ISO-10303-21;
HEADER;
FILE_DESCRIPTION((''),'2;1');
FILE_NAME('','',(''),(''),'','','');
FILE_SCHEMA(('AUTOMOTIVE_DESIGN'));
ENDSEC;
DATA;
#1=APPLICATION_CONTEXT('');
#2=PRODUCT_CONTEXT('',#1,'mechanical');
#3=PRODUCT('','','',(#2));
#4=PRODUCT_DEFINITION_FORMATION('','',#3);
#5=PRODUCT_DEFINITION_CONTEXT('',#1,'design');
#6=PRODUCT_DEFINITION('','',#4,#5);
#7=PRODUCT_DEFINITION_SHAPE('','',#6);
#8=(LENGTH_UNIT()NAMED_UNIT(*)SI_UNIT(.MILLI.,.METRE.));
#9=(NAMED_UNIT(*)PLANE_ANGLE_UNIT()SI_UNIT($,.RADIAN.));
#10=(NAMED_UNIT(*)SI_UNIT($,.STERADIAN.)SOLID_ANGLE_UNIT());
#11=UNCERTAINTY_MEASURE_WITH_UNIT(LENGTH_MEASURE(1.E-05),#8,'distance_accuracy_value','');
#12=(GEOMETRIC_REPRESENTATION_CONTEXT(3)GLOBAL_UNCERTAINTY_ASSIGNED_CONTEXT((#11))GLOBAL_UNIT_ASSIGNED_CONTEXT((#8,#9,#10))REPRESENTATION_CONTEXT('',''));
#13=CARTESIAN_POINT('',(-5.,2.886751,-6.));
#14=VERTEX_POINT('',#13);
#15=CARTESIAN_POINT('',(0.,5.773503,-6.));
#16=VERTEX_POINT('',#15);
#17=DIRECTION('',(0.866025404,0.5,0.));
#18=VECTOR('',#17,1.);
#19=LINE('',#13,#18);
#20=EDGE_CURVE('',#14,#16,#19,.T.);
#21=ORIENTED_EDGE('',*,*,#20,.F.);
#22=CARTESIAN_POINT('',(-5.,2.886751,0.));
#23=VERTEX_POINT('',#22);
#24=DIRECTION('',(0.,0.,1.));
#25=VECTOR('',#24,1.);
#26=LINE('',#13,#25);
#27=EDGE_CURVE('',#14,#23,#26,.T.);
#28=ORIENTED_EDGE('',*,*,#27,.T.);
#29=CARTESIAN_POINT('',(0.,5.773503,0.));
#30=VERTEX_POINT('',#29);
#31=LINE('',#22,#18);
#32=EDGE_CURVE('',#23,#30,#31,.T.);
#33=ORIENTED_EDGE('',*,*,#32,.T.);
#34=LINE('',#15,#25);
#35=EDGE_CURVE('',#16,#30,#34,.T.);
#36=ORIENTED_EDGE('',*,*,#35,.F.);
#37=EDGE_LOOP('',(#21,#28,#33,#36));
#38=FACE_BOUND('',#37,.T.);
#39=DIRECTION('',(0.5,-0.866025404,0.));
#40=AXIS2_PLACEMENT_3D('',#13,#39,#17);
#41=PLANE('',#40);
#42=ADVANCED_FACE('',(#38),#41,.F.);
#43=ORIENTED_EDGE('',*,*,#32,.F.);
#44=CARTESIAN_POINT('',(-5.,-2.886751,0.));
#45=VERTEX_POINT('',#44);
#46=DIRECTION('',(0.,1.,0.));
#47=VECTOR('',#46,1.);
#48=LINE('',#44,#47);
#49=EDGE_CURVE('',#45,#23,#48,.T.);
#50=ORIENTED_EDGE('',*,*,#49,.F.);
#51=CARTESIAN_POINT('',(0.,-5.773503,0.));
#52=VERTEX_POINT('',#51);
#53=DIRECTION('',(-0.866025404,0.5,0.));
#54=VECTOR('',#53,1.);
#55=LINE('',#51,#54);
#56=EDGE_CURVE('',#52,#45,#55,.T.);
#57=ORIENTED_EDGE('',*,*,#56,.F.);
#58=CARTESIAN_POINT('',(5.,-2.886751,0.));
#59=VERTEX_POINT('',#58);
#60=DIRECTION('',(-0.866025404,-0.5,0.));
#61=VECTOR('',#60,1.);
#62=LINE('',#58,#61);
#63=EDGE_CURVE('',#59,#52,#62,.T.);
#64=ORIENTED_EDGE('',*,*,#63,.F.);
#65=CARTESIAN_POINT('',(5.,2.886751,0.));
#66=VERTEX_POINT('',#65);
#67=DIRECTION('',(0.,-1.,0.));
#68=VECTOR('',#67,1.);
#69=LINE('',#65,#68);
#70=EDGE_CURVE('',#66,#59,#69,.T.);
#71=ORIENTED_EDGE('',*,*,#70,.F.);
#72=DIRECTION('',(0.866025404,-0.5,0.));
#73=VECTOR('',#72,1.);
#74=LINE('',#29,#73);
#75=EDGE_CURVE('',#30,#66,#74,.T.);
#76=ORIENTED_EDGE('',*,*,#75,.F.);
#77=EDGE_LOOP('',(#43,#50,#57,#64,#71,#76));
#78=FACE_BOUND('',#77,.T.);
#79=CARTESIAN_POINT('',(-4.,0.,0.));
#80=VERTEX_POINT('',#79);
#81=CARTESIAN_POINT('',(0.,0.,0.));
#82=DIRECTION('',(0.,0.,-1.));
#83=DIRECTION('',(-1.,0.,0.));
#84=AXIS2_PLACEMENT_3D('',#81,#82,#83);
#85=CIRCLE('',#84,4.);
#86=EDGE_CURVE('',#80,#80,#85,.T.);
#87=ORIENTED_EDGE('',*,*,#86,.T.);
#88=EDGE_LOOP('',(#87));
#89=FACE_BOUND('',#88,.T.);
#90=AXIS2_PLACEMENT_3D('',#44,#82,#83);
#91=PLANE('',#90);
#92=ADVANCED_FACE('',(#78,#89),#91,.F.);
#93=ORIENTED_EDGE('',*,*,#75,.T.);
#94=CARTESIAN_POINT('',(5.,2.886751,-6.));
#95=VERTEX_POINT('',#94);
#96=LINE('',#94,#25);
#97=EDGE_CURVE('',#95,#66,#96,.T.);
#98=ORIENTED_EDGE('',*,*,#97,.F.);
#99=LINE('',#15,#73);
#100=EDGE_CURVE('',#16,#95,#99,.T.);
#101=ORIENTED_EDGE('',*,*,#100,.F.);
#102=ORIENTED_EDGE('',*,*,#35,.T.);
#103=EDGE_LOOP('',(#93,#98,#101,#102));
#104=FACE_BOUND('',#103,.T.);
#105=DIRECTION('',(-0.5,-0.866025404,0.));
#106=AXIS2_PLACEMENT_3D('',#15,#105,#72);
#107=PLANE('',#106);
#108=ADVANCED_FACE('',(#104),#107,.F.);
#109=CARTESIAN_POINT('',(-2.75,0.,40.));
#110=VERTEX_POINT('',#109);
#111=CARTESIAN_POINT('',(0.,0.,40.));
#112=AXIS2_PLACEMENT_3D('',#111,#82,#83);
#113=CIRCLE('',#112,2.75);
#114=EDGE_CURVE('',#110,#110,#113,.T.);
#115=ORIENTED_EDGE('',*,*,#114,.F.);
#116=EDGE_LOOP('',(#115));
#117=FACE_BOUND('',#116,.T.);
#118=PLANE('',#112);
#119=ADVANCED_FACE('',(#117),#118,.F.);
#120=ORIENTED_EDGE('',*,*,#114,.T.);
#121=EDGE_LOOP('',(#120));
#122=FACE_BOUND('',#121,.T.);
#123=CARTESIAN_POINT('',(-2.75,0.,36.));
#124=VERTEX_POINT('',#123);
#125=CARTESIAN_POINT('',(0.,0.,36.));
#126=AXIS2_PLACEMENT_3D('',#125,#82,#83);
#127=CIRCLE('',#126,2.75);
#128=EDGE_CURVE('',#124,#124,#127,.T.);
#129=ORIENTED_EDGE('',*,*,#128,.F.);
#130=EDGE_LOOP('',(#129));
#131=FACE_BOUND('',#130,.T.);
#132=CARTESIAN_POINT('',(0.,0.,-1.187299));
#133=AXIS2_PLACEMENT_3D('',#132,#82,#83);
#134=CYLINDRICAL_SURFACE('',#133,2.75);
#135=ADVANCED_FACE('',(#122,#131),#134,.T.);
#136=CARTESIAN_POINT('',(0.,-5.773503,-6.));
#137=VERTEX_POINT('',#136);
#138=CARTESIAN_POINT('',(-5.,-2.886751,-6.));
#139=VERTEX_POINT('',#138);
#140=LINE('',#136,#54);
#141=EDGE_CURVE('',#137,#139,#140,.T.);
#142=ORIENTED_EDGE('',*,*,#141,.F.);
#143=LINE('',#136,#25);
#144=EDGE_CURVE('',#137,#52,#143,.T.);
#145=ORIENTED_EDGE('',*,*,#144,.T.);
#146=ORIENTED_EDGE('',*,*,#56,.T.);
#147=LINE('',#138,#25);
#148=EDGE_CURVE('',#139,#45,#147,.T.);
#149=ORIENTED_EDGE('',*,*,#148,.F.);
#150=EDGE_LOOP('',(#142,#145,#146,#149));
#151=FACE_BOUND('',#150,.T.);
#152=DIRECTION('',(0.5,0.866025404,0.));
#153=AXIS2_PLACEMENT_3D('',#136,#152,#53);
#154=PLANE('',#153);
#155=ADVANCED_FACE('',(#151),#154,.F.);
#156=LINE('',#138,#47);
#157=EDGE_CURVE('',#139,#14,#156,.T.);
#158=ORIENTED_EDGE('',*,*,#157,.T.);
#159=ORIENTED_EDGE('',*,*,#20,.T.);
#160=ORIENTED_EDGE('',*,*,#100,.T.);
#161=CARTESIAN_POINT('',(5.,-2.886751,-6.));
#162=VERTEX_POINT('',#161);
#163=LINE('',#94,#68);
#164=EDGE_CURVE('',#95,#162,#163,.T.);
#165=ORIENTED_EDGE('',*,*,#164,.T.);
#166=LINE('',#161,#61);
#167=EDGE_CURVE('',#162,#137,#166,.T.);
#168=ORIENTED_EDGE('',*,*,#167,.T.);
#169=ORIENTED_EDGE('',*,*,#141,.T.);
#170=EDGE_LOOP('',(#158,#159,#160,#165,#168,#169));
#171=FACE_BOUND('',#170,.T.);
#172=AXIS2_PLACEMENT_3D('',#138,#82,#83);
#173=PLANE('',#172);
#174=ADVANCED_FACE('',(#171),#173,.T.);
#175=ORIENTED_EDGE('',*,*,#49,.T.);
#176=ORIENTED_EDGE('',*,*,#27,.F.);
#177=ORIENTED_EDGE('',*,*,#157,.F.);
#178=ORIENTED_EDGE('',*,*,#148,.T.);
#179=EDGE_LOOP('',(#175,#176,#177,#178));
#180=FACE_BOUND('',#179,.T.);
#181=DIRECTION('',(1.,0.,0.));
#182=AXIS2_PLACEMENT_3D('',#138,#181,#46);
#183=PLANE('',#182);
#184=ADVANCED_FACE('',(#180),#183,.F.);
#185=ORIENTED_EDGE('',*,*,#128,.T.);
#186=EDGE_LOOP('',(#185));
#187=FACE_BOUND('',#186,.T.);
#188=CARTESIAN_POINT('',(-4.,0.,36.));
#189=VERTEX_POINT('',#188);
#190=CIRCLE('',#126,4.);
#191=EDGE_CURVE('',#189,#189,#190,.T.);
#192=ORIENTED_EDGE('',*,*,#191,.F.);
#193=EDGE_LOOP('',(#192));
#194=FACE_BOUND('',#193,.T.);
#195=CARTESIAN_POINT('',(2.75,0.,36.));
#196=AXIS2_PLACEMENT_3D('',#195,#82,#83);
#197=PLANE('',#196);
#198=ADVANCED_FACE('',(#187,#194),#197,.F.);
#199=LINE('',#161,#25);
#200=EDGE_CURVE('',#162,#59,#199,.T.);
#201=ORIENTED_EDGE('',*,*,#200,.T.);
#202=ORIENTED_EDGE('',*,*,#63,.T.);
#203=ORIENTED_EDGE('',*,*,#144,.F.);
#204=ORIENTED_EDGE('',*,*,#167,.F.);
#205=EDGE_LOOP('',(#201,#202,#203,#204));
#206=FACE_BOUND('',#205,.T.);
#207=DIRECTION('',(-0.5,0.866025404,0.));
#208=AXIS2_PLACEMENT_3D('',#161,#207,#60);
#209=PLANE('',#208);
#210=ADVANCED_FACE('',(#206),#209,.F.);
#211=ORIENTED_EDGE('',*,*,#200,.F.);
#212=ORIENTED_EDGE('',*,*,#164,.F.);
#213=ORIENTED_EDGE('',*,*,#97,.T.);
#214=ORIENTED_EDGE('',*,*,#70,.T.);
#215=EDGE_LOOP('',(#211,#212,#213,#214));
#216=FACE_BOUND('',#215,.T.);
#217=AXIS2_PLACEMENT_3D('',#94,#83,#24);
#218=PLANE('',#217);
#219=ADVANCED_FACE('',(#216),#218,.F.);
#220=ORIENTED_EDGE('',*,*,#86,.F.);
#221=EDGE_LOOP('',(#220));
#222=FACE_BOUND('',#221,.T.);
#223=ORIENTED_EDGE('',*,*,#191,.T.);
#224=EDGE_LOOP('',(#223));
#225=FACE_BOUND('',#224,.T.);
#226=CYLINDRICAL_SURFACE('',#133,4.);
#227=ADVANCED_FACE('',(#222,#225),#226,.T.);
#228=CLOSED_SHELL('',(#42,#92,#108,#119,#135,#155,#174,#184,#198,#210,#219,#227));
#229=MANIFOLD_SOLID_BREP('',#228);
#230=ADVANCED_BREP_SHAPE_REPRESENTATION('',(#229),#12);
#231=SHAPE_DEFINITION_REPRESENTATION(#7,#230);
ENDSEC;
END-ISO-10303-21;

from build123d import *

# Parameters (mm, degrees)
BOSS_EXTRUDE1_DEPTH = 6


with BuildPart() as part:
    # Sketch1 → Base-Revolve (revolve)
    with BuildSketch(Plane(origin=(0, 0, 0), x_dir=(1, 0, 0), z_dir=(0, 1, 0))):
        Polygon((0, 0), (0, -40), (2.75, -40), (2.75, -36), (4, -36), (4, 0), align=None)
    revolve(axis=Axis((0, 0, -1.187299328), (0, 0, 1)))

    # Sketch2 → Boss-Extrude1 (add)
    with BuildSketch(Plane(origin=(0, 0, 0), x_dir=(-1, 0, 0), z_dir=(0, 0, -1))):
        Polygon((5, -2.886751346), (5, 2.886751346), (0, 5.773502692), (-5, 2.886751346), (-5, -2.886751346), (0, -5.773502692), align=None)
    extrude(amount=BOSS_EXTRUDE1_DEPTH)


solid = part.part
